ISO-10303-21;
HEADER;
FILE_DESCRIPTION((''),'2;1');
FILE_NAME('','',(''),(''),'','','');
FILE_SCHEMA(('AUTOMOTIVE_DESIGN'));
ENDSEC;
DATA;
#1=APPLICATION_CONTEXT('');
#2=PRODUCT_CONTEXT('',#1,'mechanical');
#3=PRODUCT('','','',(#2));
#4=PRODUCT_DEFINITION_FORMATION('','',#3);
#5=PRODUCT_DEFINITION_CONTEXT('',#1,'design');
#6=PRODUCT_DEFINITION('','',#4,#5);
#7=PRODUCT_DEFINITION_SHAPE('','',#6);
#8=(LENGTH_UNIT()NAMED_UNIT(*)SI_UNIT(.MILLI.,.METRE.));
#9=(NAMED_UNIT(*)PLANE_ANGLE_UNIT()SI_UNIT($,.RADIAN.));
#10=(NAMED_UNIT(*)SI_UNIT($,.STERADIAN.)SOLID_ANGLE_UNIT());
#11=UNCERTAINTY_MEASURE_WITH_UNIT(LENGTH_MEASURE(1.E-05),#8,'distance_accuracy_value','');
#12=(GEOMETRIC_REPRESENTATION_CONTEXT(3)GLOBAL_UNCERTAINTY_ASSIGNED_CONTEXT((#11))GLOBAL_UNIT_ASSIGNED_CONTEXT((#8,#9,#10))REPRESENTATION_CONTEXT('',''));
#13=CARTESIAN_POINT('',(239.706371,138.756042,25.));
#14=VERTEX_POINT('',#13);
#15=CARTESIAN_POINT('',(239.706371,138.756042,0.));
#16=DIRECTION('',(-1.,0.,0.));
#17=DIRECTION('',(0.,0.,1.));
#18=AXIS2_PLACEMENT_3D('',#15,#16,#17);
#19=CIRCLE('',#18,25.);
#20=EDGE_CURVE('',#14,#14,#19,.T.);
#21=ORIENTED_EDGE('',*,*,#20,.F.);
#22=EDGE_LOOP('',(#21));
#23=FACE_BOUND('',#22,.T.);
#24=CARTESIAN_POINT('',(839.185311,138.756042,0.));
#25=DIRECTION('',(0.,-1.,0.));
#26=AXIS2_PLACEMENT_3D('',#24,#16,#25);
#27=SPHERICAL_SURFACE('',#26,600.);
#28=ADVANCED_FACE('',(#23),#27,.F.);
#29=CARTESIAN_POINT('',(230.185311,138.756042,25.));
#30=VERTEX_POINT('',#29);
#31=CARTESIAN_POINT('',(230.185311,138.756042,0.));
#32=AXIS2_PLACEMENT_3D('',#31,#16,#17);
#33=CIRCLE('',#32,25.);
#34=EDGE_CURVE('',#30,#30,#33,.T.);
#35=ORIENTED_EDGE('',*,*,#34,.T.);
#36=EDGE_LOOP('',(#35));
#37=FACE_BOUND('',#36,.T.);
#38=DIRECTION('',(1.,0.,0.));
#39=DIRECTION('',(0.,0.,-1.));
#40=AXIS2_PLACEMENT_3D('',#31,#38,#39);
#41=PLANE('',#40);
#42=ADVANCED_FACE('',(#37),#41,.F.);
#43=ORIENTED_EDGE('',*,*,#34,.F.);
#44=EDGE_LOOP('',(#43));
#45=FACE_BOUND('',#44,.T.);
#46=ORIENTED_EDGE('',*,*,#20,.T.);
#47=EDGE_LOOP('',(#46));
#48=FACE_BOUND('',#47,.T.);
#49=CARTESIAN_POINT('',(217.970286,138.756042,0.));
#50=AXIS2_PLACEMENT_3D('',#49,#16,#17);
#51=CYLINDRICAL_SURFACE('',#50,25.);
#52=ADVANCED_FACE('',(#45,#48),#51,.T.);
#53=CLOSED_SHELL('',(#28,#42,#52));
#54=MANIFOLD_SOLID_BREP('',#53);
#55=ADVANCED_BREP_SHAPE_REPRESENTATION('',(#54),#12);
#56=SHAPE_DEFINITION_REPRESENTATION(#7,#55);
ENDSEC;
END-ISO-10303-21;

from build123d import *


with BuildPart() as part:
    # 草图1 → 旋转1 (revolve)
    with BuildSketch(Plane.XY, mode=Mode.PRIVATE) as revolve_1_sk:
        with BuildLine():
            Line((230.18531107, 138.756042247), (230.18531107, 163.756042247))
            Line((230.18531107, 163.756042247), (239.706370881, 163.756042247))
            ThreePointArc((239.706370881, 163.756042247), (239.315590335, 151.258756983), (239.185311295, 138.756042247))
            Line((239.185311295, 138.756042247), (230.18531107, 138.756042247))
        make_face()
    revolve(revolve_1_sk.sketch.rotate(Axis((217.970286004, 138.756042247, 0), (1, 0, 0)), 180), axis=Axis((217.970286004, 138.756042247, 0), (1, 0, 0)))  # turned: the seam where the file's is


solid = part.part
